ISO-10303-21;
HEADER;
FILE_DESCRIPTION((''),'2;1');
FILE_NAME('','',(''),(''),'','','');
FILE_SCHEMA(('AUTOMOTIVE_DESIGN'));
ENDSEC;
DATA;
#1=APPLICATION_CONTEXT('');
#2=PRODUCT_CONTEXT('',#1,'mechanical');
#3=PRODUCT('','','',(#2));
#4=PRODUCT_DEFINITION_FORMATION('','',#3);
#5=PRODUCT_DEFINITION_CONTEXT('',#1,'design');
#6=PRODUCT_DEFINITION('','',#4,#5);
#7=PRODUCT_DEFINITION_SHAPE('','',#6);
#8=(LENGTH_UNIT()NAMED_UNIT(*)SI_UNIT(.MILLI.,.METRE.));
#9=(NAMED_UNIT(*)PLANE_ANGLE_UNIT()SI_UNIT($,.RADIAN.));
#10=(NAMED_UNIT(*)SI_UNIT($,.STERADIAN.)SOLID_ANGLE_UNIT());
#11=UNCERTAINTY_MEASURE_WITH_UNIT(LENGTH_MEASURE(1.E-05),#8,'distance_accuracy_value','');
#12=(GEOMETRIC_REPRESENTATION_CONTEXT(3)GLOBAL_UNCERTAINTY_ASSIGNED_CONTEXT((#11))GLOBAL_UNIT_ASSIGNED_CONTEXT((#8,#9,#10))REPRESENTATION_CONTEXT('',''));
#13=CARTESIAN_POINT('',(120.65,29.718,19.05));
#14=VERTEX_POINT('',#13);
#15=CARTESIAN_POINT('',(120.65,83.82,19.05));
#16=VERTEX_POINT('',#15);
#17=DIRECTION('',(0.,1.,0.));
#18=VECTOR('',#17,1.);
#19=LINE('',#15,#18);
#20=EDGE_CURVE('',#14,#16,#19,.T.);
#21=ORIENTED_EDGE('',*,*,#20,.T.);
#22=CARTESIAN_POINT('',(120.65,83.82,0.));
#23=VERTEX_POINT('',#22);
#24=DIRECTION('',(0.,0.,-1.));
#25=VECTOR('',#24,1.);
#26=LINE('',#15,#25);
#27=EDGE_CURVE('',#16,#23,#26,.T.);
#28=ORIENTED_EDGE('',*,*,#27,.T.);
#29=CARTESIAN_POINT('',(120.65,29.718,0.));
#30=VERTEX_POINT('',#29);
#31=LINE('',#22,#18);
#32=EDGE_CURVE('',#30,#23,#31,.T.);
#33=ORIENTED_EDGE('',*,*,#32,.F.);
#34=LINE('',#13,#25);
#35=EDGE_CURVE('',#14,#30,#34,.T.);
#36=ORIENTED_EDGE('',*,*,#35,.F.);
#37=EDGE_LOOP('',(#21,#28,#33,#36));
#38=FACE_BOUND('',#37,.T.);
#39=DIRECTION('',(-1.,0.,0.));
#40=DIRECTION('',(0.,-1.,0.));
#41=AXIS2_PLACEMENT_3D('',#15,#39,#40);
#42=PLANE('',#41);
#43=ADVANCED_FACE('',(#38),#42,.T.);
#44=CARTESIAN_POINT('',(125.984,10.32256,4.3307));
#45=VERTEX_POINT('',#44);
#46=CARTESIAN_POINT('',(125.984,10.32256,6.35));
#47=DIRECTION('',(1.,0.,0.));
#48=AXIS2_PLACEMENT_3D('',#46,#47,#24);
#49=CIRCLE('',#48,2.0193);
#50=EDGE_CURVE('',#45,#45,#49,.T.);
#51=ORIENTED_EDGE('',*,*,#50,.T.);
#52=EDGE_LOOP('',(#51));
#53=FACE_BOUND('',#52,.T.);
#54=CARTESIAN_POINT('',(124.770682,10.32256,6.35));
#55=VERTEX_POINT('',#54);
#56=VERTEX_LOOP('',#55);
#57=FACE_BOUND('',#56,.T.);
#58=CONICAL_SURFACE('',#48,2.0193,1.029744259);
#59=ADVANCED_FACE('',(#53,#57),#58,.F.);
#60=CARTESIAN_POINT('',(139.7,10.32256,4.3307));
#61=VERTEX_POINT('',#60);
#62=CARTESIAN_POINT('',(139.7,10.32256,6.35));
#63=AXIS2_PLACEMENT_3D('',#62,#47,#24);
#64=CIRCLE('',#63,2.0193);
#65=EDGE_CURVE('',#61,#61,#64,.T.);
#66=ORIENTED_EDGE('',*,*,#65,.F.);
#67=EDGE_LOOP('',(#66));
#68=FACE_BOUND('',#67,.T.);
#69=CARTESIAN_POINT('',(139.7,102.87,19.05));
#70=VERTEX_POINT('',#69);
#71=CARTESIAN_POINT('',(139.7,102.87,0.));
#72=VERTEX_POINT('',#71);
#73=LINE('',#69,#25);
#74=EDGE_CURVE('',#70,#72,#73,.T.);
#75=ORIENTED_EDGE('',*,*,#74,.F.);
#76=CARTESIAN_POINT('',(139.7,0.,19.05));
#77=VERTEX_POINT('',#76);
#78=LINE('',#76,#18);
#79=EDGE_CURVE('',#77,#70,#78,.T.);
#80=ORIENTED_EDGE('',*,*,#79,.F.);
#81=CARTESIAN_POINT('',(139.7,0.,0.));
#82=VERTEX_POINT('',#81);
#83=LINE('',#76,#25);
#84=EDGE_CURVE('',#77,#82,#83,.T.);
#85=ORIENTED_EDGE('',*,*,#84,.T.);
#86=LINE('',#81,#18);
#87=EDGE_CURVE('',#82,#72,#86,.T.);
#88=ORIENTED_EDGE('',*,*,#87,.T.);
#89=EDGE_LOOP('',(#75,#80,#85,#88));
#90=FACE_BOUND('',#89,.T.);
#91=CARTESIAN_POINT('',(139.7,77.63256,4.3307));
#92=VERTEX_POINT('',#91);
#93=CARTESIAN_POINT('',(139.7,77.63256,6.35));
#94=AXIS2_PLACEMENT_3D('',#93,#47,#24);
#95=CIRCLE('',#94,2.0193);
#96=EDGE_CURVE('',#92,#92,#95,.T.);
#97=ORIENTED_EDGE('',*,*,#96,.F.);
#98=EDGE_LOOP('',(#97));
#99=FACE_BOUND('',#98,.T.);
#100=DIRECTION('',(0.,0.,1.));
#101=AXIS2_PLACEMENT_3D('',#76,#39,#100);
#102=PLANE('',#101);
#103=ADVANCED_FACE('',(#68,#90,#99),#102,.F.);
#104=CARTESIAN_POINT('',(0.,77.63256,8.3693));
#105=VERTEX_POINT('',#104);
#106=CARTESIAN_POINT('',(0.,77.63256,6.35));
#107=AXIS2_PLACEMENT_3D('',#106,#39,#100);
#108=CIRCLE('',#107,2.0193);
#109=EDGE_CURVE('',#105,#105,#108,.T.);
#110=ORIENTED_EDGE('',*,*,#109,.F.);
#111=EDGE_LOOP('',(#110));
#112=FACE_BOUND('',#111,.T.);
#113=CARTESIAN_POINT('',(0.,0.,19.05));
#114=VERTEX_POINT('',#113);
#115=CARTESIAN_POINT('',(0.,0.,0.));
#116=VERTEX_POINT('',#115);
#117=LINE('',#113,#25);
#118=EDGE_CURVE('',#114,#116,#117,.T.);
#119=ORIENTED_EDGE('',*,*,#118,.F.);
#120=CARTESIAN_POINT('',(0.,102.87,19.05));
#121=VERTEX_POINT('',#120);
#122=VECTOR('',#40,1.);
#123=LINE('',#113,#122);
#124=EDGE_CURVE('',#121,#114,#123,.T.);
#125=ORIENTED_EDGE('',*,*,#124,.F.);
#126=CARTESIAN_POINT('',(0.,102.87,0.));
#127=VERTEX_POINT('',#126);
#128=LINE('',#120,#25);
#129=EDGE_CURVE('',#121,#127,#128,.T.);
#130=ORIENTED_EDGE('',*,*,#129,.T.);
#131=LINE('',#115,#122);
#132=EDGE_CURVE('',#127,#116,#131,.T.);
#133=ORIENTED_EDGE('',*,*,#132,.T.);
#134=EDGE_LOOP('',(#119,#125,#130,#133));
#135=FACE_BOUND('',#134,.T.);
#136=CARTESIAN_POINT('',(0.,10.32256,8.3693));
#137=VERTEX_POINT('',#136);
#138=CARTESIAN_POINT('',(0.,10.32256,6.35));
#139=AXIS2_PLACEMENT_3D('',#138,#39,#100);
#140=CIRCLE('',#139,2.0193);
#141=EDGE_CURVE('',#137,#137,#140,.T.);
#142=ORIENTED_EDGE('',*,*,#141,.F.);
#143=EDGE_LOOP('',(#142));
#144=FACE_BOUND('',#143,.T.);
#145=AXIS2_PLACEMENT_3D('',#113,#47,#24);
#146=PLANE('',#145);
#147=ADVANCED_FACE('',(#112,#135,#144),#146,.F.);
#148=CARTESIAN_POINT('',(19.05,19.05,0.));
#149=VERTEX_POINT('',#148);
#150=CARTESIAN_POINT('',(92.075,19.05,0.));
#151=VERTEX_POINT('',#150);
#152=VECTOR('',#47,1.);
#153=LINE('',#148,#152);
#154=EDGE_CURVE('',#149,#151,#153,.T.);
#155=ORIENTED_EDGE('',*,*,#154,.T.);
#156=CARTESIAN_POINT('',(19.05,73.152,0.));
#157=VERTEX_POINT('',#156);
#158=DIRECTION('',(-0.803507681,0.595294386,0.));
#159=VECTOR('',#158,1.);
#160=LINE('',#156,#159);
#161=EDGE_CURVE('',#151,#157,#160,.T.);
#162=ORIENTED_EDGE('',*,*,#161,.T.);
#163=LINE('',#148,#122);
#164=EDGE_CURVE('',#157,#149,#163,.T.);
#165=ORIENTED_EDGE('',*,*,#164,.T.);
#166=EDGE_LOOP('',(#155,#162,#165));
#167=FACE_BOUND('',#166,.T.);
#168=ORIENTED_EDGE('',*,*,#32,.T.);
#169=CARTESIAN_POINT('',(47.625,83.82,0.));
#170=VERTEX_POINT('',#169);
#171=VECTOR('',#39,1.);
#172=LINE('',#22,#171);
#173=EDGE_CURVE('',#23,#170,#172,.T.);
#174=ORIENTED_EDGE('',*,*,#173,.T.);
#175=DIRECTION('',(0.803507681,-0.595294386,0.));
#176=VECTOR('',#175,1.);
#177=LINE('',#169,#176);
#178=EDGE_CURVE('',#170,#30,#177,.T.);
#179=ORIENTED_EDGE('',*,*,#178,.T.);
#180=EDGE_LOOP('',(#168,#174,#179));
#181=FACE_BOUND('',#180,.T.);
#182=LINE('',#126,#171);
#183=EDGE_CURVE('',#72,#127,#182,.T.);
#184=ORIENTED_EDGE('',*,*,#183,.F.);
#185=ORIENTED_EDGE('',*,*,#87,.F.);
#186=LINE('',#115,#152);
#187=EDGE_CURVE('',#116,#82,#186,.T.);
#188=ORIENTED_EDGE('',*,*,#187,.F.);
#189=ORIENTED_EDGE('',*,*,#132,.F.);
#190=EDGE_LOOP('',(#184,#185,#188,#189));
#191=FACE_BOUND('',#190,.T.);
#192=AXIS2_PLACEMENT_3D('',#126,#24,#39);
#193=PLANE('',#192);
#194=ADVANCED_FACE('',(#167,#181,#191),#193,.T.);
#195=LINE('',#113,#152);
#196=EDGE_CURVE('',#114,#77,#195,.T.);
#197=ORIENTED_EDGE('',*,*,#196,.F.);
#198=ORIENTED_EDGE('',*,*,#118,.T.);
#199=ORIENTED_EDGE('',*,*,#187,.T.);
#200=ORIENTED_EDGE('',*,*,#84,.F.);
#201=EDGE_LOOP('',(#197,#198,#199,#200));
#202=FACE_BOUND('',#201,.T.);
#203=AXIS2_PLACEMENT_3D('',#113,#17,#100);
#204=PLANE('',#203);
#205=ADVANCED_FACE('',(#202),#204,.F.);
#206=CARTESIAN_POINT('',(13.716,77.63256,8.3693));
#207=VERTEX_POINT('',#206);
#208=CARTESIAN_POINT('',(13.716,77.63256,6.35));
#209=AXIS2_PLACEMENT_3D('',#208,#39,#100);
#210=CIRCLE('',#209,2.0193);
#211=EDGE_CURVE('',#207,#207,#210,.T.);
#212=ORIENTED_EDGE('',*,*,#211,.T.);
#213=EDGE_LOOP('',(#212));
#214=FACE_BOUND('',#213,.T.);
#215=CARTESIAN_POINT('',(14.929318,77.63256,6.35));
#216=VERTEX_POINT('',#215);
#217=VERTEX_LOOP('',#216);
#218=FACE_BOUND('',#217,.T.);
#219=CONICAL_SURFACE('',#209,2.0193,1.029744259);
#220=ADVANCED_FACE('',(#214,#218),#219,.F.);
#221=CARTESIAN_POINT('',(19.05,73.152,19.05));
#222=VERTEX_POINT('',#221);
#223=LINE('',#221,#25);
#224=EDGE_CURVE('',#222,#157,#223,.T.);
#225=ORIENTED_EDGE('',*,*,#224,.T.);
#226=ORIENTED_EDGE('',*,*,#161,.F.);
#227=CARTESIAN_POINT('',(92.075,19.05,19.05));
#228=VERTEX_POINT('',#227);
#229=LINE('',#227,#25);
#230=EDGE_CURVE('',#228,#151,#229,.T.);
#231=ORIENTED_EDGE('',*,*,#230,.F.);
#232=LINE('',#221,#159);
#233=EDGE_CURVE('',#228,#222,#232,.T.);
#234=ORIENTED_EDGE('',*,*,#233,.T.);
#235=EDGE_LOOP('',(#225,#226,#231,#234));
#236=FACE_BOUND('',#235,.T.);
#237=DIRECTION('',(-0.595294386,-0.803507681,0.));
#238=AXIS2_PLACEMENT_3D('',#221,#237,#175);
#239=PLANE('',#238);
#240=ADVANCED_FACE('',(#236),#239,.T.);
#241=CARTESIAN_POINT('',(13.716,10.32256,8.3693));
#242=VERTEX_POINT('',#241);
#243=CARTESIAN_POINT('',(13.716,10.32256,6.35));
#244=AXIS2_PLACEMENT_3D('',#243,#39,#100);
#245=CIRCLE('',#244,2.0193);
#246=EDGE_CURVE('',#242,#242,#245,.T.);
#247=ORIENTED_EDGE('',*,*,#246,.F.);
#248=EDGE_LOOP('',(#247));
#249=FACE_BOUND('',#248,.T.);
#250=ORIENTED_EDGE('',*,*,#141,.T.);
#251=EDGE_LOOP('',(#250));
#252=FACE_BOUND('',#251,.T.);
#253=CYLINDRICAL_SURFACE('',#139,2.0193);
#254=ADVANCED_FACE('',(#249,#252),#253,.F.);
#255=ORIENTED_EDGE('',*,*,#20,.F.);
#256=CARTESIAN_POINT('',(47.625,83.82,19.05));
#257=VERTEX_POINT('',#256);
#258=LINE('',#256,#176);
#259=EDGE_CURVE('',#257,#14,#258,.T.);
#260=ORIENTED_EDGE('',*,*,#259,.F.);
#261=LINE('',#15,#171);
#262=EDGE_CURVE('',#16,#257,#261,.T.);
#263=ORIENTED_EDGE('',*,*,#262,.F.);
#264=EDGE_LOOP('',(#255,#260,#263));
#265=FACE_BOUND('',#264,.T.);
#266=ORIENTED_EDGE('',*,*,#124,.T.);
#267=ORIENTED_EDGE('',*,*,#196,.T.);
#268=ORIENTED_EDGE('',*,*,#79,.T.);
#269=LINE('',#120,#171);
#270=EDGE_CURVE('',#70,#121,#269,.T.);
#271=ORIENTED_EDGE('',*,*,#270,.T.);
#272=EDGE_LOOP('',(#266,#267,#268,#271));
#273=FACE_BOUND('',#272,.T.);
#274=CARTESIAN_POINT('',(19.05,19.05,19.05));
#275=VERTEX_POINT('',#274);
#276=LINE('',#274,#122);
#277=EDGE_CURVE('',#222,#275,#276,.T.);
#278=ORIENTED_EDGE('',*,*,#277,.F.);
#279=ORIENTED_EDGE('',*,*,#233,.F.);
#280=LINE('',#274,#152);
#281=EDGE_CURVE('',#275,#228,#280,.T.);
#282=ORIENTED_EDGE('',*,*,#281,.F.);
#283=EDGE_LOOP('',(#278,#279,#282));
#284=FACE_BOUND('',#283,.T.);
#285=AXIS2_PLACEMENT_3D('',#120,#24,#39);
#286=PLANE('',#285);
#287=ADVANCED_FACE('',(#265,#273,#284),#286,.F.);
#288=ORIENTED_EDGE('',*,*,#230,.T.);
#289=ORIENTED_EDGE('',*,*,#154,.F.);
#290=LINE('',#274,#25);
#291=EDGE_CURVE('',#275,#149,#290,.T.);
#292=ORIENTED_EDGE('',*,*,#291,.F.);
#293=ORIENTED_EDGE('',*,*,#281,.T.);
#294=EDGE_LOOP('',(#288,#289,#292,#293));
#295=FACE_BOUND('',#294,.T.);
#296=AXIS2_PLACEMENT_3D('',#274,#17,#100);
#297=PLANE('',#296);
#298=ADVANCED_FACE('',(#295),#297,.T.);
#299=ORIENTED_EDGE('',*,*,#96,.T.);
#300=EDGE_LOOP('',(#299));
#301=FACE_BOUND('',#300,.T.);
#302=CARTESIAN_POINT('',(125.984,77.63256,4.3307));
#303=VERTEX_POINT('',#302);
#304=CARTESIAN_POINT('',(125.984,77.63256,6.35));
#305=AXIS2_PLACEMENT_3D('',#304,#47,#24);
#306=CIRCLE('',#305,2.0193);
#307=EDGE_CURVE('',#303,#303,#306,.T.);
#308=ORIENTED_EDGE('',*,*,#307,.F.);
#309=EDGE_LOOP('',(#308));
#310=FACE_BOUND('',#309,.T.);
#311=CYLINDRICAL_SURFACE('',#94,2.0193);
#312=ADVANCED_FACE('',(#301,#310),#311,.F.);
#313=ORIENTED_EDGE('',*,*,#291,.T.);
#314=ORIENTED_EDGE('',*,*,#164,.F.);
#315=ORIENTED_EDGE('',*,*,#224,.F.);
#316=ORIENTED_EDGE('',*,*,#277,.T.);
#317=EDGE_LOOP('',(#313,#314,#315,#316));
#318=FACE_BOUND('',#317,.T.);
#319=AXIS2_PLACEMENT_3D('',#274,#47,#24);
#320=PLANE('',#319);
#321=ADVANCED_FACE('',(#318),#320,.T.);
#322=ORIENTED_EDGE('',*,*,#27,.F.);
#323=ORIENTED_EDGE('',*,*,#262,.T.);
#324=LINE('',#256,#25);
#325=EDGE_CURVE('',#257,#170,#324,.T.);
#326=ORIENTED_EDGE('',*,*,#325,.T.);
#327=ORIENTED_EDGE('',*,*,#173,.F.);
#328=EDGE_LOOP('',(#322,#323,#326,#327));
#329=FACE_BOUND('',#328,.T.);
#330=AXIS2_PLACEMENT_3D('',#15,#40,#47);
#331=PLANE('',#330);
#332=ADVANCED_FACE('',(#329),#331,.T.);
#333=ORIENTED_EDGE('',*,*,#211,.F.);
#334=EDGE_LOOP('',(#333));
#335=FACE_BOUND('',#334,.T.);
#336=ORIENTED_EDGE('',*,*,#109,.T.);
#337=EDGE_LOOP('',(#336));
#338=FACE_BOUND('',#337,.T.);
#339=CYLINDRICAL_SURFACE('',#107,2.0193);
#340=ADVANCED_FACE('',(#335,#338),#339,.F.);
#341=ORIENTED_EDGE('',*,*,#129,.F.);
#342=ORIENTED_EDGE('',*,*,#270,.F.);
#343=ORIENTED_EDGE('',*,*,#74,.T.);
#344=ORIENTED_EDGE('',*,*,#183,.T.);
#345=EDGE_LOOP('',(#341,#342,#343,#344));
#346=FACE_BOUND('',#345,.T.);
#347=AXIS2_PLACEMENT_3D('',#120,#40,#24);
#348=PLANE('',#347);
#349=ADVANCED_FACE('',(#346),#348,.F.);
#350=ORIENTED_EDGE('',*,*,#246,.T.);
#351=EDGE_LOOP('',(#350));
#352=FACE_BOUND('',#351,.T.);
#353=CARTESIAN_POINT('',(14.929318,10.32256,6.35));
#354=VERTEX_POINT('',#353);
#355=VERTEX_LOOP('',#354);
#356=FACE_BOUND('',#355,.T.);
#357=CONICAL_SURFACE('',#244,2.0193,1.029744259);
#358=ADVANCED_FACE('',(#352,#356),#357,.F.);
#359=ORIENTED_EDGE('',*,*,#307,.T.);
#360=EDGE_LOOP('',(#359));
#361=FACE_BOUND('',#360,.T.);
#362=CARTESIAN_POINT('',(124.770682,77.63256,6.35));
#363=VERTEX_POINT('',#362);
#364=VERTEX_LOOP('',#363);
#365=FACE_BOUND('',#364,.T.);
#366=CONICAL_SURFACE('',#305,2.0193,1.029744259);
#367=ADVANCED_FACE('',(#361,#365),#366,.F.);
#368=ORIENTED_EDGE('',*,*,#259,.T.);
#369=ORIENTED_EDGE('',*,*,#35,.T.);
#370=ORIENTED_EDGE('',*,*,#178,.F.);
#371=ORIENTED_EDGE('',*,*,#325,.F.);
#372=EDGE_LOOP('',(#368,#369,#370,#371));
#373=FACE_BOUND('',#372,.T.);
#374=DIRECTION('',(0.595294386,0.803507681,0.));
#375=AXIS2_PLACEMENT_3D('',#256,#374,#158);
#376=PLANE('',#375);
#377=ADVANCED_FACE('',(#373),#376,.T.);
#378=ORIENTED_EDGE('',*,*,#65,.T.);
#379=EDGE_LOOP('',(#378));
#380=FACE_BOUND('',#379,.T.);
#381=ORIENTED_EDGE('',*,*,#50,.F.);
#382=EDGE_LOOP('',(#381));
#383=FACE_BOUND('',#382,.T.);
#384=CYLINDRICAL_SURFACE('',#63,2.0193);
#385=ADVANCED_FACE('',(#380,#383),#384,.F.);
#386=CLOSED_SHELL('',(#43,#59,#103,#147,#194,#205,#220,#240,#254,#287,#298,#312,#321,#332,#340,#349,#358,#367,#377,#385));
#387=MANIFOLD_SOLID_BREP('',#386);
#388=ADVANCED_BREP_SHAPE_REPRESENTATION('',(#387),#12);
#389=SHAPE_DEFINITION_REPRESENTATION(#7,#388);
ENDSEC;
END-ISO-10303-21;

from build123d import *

# Parameters (mm, degrees)
SKETCH1_W                            = 139.7
SKETCH1_H                            = 102.87
BOSS_EXTRUDE1_DEPTH                  = 19.05
F_10_32_TAPPED_HOLE2_D               = 4.0386
F_10_32_TAPPED_HOLE2_DEPTH           = 13.716
F_10_32_TAPPED_HOLE2_TIP             = 1.213317848
F_10_32_TAPPED_HOLE2_ON_FACE_2_D     = 4.0386
F_10_32_TAPPED_HOLE2_ON_FACE_2_DEPTH = 13.716
F_10_32_TAPPED_HOLE2_ON_FACE_2_TIP   = 1.213317848


with BuildPart() as part:
    # Sketch1 → Boss-Extrude1 (new body)
    with BuildSketch(Plane.XY):
        with Locations((69.85, 51.435)):
            Rectangle(SKETCH1_W, SKETCH1_H)
        Polygon((19.05, 19.05), (19.05, 73.152), (92.075, 19.05), align=None, mode=Mode.SUBTRACT)
        Polygon((120.65, 83.82), (120.65, 29.718), (47.625, 83.82), align=None, mode=Mode.SUBTRACT)
    extrude(amount=BOSS_EXTRUDE1_DEPTH)

    # #10-32 Tapped Hole2
    with Locations(Plane(origin=(0, 77.63256, 6.35), x_dir=(0, 0, -1), z_dir=(-1, 0, 0))):
        with Locations((0, 0), (0, 67.31)):
            Hole(F_10_32_TAPPED_HOLE2_D / 2, depth=F_10_32_TAPPED_HOLE2_DEPTH)
            with Locations((0, 0, -(F_10_32_TAPPED_HOLE2_DEPTH + F_10_32_TAPPED_HOLE2_TIP / 2))):  # 118° drill point
                Cone(0, F_10_32_TAPPED_HOLE2_D / 2, F_10_32_TAPPED_HOLE2_TIP, mode=Mode.SUBTRACT)

    # #10-32 Tapped Hole2 on face 2
    with Locations(Plane(origin=(139.7, 10.32256, 6.35), x_dir=(0, 0, 1), z_dir=(1, 0, 0))):
        with Locations((0, 0), (0, -67.31)):
            Hole(F_10_32_TAPPED_HOLE2_ON_FACE_2_D / 2, depth=F_10_32_TAPPED_HOLE2_ON_FACE_2_DEPTH)
            with Locations((0, 0, -(F_10_32_TAPPED_HOLE2_ON_FACE_2_DEPTH + F_10_32_TAPPED_HOLE2_ON_FACE_2_TIP / 2))):  # 118° drill point
                Cone(0, F_10_32_TAPPED_HOLE2_ON_FACE_2_D / 2, F_10_32_TAPPED_HOLE2_ON_FACE_2_TIP, mode=Mode.SUBTRACT)


solid = part.part
